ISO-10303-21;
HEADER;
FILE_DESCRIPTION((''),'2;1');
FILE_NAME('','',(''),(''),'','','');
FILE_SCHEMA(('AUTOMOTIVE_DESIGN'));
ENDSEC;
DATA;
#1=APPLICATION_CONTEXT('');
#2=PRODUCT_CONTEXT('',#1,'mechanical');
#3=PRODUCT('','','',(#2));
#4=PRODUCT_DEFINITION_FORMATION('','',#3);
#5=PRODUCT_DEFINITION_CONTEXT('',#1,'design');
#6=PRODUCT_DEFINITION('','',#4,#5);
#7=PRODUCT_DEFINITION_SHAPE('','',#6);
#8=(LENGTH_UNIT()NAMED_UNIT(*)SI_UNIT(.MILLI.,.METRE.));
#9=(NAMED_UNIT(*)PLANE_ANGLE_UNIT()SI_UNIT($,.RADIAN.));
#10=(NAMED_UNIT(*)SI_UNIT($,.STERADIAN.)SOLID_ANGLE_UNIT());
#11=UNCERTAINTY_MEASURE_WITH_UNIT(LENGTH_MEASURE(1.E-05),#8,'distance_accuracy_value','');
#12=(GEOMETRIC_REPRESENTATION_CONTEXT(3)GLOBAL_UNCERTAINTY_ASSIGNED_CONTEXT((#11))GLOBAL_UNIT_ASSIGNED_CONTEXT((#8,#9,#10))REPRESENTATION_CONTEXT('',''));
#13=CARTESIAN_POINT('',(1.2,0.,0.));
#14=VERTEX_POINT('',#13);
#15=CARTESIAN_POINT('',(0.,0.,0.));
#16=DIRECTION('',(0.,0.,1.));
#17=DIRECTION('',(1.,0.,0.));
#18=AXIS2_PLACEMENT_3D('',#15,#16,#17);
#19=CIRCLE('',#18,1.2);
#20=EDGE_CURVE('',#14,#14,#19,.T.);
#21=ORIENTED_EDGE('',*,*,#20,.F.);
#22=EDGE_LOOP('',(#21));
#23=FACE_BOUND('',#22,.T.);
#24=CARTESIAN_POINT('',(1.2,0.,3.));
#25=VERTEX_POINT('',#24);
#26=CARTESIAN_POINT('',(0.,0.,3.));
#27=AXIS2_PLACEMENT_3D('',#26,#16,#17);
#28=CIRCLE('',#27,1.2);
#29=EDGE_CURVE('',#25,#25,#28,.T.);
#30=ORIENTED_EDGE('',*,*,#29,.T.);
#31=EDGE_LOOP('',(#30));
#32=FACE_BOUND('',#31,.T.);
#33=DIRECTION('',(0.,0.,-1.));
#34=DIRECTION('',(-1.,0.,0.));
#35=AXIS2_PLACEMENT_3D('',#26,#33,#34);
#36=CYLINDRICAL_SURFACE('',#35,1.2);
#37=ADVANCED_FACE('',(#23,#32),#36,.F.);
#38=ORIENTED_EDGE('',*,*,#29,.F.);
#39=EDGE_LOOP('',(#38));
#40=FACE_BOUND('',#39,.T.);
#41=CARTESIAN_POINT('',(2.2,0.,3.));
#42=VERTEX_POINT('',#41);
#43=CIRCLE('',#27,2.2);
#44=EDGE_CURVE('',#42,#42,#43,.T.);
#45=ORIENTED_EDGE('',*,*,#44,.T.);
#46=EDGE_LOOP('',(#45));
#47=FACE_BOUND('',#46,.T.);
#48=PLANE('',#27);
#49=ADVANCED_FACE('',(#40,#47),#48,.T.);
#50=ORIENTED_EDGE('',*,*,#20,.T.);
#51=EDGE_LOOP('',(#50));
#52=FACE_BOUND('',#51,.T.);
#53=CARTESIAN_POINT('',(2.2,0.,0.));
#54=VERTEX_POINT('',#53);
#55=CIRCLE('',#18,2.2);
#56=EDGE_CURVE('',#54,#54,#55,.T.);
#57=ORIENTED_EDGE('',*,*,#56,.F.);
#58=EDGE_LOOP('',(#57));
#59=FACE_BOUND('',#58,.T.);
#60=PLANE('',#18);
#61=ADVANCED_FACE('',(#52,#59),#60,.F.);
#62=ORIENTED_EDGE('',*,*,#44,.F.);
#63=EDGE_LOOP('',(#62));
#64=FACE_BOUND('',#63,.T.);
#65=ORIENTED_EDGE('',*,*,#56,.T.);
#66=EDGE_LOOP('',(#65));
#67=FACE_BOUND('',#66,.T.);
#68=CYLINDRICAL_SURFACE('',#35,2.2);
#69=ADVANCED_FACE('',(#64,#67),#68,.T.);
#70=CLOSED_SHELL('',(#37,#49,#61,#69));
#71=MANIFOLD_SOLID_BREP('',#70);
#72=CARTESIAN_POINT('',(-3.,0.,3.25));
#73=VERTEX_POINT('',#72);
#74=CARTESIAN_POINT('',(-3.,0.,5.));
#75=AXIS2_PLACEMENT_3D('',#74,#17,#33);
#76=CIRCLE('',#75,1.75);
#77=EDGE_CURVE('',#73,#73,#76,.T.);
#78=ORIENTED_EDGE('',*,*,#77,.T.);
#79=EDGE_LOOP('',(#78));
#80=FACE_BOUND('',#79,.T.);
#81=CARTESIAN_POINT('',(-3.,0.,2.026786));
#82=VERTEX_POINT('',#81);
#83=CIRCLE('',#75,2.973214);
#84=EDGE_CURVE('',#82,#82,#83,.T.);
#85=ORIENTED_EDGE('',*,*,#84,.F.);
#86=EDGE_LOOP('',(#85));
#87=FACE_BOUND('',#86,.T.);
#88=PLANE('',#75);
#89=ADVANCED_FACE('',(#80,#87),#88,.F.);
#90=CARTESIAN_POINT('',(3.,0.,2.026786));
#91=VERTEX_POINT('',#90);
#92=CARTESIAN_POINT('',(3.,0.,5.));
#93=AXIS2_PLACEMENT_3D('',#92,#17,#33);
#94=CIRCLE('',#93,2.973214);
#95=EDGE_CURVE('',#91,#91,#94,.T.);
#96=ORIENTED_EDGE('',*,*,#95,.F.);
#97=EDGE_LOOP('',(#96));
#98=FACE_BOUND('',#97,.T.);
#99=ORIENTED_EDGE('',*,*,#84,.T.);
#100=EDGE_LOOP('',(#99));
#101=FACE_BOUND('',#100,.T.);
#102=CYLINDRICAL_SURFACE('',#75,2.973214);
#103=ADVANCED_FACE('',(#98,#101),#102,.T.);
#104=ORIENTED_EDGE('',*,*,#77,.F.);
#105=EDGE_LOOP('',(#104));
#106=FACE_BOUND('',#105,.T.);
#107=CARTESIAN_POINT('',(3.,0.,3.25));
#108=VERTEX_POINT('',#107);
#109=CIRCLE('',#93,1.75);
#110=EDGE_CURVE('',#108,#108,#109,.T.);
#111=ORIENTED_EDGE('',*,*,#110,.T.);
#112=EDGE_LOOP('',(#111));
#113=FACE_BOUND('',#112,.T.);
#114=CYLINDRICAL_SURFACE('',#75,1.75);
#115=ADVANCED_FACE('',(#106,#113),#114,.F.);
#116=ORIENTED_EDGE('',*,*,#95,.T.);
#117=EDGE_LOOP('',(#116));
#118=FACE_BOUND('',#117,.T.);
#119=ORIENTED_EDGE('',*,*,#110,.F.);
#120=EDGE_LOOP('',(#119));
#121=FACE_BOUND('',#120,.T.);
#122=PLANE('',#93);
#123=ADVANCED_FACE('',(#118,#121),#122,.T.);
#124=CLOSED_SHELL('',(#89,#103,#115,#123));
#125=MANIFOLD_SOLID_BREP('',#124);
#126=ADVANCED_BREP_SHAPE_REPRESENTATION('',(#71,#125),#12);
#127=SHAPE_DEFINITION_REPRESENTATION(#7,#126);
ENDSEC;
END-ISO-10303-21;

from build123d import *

# Parameters (mm, degrees)
SKETCH_1_R           = 2.2
SKETCH_1_R_2         = 1.2
EXTRUDE_1_DEPTH      = 3
EXTRUDE_2_DEPTH      = 3
EXTRUDE_2_DEPTH_BACK = 3
SKETCH_2_R           = 2.973213749
SKETCH_2_R_2         = 1.75


with BuildPart() as part:
    # 草图1 → 凸台-拉伸1 (new body)
    with BuildSketch(Plane.XY):
        Circle(SKETCH_1_R)
        Circle(SKETCH_1_R_2, mode=Mode.SUBTRACT)
    extrude(amount=EXTRUDE_1_DEPTH)


with BuildPart() as body_2:
    # 草图2 → 凸台-拉伸2 (new, two sides: drawn at the far end of the back side and taken through both)
    with BuildSketch(Plane(origin=(0, 0, 0), x_dir=(0, 0, -1), z_dir=(1, 0, 0)).offset(-EXTRUDE_2_DEPTH_BACK)):
        with Locations((-5, 0)):
            Circle(SKETCH_2_R)
        with Locations((-5, 0)):
            Circle(SKETCH_2_R_2, mode=Mode.SUBTRACT)
    extrude(amount=EXTRUDE_2_DEPTH + EXTRUDE_2_DEPTH_BACK)


solid = Compound([part.part, body_2.part])
